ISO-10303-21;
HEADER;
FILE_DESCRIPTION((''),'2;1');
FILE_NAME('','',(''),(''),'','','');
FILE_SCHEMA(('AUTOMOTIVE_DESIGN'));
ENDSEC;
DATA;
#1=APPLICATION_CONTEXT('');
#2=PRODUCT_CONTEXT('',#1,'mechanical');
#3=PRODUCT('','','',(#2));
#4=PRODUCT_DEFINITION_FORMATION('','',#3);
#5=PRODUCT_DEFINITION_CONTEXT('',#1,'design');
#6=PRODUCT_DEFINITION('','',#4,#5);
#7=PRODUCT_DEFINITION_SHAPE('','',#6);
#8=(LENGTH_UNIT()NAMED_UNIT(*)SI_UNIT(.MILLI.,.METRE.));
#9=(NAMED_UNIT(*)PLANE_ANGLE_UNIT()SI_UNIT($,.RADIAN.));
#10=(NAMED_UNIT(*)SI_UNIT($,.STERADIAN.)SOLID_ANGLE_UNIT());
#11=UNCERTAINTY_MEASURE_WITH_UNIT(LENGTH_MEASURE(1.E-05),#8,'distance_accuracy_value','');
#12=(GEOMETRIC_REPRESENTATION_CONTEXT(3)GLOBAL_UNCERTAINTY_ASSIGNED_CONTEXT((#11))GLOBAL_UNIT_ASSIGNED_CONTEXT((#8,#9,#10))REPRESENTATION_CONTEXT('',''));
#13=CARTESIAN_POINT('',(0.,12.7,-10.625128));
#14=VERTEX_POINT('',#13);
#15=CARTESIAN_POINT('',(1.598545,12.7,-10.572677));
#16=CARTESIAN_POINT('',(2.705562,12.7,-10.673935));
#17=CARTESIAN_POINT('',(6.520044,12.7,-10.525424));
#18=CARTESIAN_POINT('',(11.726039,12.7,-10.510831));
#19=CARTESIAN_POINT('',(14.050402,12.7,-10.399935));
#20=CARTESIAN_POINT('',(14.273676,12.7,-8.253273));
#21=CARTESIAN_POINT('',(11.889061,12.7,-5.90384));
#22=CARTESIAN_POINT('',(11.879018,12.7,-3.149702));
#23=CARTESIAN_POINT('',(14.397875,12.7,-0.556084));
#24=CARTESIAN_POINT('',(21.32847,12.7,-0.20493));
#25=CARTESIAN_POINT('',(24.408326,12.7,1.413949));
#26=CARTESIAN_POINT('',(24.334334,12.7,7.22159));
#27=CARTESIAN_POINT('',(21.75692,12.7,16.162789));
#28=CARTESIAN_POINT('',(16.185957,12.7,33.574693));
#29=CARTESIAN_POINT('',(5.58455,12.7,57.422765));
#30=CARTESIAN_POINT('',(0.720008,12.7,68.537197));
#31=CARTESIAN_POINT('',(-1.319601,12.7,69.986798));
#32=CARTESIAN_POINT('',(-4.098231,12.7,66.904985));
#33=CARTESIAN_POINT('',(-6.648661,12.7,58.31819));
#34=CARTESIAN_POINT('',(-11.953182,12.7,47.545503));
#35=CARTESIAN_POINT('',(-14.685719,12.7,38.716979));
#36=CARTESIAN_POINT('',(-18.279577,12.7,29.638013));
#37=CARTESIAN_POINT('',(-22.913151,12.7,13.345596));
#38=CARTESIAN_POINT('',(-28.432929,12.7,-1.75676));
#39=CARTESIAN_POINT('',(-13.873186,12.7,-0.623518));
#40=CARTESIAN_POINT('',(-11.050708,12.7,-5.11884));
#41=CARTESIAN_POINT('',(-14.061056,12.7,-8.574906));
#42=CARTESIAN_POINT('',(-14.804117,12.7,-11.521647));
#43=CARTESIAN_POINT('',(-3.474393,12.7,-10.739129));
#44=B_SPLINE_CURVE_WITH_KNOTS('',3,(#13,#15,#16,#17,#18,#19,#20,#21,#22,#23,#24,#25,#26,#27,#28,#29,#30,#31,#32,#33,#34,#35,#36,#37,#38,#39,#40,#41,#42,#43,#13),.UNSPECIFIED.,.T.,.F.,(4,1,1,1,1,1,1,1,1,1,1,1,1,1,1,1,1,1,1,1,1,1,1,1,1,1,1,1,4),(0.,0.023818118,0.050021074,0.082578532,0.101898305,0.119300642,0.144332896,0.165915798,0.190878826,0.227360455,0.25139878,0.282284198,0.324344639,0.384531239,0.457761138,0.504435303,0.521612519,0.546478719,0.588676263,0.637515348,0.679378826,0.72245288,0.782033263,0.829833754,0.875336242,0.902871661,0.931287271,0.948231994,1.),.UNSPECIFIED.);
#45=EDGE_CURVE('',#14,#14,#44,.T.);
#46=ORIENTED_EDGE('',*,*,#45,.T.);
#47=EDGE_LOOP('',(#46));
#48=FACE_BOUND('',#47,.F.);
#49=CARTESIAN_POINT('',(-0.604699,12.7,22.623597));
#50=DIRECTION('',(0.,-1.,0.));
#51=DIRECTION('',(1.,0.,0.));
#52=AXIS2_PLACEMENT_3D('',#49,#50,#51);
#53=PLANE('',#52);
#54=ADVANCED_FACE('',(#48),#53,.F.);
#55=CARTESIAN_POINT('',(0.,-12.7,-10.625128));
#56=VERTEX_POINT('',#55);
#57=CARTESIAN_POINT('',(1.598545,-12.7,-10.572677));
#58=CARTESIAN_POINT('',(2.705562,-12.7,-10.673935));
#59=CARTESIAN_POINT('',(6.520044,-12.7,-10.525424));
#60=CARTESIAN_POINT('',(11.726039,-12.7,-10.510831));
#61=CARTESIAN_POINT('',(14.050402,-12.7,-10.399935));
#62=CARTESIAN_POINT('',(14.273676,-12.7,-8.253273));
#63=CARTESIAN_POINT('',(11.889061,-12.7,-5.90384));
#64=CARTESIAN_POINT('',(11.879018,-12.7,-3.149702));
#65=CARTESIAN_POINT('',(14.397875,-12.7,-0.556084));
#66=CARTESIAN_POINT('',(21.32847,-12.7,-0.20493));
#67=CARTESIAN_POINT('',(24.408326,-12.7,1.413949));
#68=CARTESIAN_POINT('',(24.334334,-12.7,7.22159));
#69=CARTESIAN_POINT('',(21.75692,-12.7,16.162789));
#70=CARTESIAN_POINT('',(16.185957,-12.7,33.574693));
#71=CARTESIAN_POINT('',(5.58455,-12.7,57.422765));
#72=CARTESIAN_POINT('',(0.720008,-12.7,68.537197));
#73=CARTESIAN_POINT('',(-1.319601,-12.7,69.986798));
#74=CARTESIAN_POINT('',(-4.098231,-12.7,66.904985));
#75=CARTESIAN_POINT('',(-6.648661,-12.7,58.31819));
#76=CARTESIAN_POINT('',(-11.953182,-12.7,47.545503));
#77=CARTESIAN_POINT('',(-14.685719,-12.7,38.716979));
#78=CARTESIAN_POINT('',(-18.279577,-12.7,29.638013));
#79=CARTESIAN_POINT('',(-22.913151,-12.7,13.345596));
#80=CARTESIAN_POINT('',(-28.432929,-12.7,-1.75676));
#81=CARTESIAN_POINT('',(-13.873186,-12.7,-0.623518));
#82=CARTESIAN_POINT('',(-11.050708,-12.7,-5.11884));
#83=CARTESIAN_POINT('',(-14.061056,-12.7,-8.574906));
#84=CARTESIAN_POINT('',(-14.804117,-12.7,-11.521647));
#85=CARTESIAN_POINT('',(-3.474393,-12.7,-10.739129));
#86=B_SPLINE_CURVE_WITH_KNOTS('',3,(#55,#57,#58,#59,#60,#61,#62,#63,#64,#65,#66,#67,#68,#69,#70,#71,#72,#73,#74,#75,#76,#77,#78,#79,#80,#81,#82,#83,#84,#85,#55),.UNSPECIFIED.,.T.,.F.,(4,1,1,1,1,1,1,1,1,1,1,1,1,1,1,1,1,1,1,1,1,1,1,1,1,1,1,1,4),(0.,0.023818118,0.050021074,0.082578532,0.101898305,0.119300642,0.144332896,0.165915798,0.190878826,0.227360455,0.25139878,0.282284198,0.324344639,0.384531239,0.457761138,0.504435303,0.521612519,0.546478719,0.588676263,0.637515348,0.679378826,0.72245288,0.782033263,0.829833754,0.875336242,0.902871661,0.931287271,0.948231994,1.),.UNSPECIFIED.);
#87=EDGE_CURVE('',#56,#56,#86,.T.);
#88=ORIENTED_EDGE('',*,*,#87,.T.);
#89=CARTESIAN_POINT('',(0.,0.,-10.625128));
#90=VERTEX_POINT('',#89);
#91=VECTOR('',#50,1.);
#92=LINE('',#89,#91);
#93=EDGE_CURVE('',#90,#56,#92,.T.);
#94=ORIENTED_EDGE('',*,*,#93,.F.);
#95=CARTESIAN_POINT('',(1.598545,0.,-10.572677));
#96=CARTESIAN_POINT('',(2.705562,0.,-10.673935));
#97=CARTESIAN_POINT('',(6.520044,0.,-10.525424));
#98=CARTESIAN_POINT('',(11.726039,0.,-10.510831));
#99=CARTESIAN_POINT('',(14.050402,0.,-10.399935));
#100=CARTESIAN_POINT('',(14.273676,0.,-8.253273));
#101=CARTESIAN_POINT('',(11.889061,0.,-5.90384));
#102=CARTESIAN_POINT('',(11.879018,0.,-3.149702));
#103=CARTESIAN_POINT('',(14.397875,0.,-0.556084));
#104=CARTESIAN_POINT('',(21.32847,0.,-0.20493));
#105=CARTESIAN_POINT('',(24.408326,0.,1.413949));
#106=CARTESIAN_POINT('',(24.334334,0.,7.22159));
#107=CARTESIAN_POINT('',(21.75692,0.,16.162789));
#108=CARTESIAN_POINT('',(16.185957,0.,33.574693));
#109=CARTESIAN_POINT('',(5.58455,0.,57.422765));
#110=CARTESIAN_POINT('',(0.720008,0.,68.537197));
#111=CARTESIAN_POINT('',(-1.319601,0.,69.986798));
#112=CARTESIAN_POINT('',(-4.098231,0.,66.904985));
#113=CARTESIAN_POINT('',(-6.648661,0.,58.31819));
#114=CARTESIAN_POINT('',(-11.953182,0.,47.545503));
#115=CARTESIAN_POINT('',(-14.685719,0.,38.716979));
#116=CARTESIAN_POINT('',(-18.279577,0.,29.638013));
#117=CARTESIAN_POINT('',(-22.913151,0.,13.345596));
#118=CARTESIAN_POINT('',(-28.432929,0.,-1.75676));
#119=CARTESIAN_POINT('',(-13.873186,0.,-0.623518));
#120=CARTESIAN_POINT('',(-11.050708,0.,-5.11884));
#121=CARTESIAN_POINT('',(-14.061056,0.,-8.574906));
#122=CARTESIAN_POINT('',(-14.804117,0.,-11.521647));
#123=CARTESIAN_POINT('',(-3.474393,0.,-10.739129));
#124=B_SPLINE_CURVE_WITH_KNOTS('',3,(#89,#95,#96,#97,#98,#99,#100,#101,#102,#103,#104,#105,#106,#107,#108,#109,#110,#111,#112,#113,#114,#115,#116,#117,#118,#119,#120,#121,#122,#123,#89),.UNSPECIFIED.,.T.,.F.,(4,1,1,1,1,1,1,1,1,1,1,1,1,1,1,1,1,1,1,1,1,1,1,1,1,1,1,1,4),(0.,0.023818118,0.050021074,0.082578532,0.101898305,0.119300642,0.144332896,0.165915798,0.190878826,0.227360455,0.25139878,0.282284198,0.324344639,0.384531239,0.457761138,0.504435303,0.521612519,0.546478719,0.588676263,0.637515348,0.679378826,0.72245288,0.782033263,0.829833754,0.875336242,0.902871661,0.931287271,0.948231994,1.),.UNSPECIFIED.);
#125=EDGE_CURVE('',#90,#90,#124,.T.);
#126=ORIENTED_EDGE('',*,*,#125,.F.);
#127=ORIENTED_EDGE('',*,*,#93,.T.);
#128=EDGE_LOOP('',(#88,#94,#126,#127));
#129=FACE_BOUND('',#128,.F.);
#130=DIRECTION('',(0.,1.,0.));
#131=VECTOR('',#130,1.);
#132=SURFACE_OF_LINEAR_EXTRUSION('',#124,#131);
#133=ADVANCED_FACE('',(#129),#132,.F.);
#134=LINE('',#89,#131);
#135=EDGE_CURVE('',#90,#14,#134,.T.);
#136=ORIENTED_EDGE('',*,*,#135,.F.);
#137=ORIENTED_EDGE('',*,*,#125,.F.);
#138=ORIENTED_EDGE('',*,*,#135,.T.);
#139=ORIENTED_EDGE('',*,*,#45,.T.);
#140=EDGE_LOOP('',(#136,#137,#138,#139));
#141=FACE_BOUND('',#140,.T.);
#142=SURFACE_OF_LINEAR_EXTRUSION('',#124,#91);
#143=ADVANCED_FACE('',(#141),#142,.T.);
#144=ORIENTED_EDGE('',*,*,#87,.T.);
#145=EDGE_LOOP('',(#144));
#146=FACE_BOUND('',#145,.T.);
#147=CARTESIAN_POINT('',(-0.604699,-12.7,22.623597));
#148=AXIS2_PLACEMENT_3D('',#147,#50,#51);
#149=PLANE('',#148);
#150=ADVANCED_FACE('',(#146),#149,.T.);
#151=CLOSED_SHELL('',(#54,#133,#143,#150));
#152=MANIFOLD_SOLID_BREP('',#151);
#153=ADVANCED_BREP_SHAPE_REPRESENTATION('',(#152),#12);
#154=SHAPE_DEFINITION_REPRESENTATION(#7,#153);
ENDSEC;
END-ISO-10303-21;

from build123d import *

# Parameters (mm, degrees)
F1_DEPTH = 12.7


with BuildPart() as f1:
    # F0 (on Front) → F1 (new body, symmetric)
    with BuildSketch(Plane.XZ):
        with BuildLine():
            add(Edge.make_bspline(
                [(0, -10.6251281476), (1.5985451934, -10.5726770751), (2.7055623961, -10.67393533), (6.5200437546, -10.5254244869), (11.7260391298, -10.5108305601), (14.0504018929, -10.3999353064), (14.2736758463, -8.2532732839), (11.8890605797, -5.9038404614), (11.8790177896, -3.1497022094), (14.3978753313, -0.5560843643), (21.3284703439, -0.2049302542), (24.408325864, 1.413949235), (24.3343341645, 7.2215896276), (21.7569195202, 16.1627885452), (16.1859566041, 33.5746928766), (5.5845495203, 57.4227653708), (0.7200080081, 68.5371968074), (-1.3196011279, 69.9867982644), (-4.0982314069, 66.9049854014), (-6.6486611906, 58.318189868), (-11.9531818949, 47.5455029044), (-14.6857188341, 38.7169786167), (-18.2795767892, 29.638013147), (-22.9131509895, 13.3455959042), (-28.4329289192, -1.7567600906), (-13.8731858199, -0.6235182865), (-11.0507076177, -5.1188404612), (-14.0610562029, -8.5749060257), (-14.8041174025, -11.5216465453), (-3.4743928185, -10.7391290719), (0, -10.6251281476)],
                knots=[0, 0, 0, 0, 0.0238181176, 0.0500210738, 0.0825785324, 0.1018983051, 0.1193006424, 0.1443328955, 0.1659157981, 0.1908788265, 0.2273604549, 0.2513987798, 0.2822841975, 0.3243446392, 0.3845312391, 0.4577611376, 0.5044353028, 0.5216125186, 0.5464787186, 0.5886762627, 0.6375153478, 0.6793788263, 0.7224528795, 0.7820332633, 0.8298337537, 0.8753362416, 0.9028716611, 0.931287271, 0.9482319942, 1, 1, 1, 1], degree=3))
        make_face()
    extrude(amount=F1_DEPTH, both=True)


solid = f1.part
